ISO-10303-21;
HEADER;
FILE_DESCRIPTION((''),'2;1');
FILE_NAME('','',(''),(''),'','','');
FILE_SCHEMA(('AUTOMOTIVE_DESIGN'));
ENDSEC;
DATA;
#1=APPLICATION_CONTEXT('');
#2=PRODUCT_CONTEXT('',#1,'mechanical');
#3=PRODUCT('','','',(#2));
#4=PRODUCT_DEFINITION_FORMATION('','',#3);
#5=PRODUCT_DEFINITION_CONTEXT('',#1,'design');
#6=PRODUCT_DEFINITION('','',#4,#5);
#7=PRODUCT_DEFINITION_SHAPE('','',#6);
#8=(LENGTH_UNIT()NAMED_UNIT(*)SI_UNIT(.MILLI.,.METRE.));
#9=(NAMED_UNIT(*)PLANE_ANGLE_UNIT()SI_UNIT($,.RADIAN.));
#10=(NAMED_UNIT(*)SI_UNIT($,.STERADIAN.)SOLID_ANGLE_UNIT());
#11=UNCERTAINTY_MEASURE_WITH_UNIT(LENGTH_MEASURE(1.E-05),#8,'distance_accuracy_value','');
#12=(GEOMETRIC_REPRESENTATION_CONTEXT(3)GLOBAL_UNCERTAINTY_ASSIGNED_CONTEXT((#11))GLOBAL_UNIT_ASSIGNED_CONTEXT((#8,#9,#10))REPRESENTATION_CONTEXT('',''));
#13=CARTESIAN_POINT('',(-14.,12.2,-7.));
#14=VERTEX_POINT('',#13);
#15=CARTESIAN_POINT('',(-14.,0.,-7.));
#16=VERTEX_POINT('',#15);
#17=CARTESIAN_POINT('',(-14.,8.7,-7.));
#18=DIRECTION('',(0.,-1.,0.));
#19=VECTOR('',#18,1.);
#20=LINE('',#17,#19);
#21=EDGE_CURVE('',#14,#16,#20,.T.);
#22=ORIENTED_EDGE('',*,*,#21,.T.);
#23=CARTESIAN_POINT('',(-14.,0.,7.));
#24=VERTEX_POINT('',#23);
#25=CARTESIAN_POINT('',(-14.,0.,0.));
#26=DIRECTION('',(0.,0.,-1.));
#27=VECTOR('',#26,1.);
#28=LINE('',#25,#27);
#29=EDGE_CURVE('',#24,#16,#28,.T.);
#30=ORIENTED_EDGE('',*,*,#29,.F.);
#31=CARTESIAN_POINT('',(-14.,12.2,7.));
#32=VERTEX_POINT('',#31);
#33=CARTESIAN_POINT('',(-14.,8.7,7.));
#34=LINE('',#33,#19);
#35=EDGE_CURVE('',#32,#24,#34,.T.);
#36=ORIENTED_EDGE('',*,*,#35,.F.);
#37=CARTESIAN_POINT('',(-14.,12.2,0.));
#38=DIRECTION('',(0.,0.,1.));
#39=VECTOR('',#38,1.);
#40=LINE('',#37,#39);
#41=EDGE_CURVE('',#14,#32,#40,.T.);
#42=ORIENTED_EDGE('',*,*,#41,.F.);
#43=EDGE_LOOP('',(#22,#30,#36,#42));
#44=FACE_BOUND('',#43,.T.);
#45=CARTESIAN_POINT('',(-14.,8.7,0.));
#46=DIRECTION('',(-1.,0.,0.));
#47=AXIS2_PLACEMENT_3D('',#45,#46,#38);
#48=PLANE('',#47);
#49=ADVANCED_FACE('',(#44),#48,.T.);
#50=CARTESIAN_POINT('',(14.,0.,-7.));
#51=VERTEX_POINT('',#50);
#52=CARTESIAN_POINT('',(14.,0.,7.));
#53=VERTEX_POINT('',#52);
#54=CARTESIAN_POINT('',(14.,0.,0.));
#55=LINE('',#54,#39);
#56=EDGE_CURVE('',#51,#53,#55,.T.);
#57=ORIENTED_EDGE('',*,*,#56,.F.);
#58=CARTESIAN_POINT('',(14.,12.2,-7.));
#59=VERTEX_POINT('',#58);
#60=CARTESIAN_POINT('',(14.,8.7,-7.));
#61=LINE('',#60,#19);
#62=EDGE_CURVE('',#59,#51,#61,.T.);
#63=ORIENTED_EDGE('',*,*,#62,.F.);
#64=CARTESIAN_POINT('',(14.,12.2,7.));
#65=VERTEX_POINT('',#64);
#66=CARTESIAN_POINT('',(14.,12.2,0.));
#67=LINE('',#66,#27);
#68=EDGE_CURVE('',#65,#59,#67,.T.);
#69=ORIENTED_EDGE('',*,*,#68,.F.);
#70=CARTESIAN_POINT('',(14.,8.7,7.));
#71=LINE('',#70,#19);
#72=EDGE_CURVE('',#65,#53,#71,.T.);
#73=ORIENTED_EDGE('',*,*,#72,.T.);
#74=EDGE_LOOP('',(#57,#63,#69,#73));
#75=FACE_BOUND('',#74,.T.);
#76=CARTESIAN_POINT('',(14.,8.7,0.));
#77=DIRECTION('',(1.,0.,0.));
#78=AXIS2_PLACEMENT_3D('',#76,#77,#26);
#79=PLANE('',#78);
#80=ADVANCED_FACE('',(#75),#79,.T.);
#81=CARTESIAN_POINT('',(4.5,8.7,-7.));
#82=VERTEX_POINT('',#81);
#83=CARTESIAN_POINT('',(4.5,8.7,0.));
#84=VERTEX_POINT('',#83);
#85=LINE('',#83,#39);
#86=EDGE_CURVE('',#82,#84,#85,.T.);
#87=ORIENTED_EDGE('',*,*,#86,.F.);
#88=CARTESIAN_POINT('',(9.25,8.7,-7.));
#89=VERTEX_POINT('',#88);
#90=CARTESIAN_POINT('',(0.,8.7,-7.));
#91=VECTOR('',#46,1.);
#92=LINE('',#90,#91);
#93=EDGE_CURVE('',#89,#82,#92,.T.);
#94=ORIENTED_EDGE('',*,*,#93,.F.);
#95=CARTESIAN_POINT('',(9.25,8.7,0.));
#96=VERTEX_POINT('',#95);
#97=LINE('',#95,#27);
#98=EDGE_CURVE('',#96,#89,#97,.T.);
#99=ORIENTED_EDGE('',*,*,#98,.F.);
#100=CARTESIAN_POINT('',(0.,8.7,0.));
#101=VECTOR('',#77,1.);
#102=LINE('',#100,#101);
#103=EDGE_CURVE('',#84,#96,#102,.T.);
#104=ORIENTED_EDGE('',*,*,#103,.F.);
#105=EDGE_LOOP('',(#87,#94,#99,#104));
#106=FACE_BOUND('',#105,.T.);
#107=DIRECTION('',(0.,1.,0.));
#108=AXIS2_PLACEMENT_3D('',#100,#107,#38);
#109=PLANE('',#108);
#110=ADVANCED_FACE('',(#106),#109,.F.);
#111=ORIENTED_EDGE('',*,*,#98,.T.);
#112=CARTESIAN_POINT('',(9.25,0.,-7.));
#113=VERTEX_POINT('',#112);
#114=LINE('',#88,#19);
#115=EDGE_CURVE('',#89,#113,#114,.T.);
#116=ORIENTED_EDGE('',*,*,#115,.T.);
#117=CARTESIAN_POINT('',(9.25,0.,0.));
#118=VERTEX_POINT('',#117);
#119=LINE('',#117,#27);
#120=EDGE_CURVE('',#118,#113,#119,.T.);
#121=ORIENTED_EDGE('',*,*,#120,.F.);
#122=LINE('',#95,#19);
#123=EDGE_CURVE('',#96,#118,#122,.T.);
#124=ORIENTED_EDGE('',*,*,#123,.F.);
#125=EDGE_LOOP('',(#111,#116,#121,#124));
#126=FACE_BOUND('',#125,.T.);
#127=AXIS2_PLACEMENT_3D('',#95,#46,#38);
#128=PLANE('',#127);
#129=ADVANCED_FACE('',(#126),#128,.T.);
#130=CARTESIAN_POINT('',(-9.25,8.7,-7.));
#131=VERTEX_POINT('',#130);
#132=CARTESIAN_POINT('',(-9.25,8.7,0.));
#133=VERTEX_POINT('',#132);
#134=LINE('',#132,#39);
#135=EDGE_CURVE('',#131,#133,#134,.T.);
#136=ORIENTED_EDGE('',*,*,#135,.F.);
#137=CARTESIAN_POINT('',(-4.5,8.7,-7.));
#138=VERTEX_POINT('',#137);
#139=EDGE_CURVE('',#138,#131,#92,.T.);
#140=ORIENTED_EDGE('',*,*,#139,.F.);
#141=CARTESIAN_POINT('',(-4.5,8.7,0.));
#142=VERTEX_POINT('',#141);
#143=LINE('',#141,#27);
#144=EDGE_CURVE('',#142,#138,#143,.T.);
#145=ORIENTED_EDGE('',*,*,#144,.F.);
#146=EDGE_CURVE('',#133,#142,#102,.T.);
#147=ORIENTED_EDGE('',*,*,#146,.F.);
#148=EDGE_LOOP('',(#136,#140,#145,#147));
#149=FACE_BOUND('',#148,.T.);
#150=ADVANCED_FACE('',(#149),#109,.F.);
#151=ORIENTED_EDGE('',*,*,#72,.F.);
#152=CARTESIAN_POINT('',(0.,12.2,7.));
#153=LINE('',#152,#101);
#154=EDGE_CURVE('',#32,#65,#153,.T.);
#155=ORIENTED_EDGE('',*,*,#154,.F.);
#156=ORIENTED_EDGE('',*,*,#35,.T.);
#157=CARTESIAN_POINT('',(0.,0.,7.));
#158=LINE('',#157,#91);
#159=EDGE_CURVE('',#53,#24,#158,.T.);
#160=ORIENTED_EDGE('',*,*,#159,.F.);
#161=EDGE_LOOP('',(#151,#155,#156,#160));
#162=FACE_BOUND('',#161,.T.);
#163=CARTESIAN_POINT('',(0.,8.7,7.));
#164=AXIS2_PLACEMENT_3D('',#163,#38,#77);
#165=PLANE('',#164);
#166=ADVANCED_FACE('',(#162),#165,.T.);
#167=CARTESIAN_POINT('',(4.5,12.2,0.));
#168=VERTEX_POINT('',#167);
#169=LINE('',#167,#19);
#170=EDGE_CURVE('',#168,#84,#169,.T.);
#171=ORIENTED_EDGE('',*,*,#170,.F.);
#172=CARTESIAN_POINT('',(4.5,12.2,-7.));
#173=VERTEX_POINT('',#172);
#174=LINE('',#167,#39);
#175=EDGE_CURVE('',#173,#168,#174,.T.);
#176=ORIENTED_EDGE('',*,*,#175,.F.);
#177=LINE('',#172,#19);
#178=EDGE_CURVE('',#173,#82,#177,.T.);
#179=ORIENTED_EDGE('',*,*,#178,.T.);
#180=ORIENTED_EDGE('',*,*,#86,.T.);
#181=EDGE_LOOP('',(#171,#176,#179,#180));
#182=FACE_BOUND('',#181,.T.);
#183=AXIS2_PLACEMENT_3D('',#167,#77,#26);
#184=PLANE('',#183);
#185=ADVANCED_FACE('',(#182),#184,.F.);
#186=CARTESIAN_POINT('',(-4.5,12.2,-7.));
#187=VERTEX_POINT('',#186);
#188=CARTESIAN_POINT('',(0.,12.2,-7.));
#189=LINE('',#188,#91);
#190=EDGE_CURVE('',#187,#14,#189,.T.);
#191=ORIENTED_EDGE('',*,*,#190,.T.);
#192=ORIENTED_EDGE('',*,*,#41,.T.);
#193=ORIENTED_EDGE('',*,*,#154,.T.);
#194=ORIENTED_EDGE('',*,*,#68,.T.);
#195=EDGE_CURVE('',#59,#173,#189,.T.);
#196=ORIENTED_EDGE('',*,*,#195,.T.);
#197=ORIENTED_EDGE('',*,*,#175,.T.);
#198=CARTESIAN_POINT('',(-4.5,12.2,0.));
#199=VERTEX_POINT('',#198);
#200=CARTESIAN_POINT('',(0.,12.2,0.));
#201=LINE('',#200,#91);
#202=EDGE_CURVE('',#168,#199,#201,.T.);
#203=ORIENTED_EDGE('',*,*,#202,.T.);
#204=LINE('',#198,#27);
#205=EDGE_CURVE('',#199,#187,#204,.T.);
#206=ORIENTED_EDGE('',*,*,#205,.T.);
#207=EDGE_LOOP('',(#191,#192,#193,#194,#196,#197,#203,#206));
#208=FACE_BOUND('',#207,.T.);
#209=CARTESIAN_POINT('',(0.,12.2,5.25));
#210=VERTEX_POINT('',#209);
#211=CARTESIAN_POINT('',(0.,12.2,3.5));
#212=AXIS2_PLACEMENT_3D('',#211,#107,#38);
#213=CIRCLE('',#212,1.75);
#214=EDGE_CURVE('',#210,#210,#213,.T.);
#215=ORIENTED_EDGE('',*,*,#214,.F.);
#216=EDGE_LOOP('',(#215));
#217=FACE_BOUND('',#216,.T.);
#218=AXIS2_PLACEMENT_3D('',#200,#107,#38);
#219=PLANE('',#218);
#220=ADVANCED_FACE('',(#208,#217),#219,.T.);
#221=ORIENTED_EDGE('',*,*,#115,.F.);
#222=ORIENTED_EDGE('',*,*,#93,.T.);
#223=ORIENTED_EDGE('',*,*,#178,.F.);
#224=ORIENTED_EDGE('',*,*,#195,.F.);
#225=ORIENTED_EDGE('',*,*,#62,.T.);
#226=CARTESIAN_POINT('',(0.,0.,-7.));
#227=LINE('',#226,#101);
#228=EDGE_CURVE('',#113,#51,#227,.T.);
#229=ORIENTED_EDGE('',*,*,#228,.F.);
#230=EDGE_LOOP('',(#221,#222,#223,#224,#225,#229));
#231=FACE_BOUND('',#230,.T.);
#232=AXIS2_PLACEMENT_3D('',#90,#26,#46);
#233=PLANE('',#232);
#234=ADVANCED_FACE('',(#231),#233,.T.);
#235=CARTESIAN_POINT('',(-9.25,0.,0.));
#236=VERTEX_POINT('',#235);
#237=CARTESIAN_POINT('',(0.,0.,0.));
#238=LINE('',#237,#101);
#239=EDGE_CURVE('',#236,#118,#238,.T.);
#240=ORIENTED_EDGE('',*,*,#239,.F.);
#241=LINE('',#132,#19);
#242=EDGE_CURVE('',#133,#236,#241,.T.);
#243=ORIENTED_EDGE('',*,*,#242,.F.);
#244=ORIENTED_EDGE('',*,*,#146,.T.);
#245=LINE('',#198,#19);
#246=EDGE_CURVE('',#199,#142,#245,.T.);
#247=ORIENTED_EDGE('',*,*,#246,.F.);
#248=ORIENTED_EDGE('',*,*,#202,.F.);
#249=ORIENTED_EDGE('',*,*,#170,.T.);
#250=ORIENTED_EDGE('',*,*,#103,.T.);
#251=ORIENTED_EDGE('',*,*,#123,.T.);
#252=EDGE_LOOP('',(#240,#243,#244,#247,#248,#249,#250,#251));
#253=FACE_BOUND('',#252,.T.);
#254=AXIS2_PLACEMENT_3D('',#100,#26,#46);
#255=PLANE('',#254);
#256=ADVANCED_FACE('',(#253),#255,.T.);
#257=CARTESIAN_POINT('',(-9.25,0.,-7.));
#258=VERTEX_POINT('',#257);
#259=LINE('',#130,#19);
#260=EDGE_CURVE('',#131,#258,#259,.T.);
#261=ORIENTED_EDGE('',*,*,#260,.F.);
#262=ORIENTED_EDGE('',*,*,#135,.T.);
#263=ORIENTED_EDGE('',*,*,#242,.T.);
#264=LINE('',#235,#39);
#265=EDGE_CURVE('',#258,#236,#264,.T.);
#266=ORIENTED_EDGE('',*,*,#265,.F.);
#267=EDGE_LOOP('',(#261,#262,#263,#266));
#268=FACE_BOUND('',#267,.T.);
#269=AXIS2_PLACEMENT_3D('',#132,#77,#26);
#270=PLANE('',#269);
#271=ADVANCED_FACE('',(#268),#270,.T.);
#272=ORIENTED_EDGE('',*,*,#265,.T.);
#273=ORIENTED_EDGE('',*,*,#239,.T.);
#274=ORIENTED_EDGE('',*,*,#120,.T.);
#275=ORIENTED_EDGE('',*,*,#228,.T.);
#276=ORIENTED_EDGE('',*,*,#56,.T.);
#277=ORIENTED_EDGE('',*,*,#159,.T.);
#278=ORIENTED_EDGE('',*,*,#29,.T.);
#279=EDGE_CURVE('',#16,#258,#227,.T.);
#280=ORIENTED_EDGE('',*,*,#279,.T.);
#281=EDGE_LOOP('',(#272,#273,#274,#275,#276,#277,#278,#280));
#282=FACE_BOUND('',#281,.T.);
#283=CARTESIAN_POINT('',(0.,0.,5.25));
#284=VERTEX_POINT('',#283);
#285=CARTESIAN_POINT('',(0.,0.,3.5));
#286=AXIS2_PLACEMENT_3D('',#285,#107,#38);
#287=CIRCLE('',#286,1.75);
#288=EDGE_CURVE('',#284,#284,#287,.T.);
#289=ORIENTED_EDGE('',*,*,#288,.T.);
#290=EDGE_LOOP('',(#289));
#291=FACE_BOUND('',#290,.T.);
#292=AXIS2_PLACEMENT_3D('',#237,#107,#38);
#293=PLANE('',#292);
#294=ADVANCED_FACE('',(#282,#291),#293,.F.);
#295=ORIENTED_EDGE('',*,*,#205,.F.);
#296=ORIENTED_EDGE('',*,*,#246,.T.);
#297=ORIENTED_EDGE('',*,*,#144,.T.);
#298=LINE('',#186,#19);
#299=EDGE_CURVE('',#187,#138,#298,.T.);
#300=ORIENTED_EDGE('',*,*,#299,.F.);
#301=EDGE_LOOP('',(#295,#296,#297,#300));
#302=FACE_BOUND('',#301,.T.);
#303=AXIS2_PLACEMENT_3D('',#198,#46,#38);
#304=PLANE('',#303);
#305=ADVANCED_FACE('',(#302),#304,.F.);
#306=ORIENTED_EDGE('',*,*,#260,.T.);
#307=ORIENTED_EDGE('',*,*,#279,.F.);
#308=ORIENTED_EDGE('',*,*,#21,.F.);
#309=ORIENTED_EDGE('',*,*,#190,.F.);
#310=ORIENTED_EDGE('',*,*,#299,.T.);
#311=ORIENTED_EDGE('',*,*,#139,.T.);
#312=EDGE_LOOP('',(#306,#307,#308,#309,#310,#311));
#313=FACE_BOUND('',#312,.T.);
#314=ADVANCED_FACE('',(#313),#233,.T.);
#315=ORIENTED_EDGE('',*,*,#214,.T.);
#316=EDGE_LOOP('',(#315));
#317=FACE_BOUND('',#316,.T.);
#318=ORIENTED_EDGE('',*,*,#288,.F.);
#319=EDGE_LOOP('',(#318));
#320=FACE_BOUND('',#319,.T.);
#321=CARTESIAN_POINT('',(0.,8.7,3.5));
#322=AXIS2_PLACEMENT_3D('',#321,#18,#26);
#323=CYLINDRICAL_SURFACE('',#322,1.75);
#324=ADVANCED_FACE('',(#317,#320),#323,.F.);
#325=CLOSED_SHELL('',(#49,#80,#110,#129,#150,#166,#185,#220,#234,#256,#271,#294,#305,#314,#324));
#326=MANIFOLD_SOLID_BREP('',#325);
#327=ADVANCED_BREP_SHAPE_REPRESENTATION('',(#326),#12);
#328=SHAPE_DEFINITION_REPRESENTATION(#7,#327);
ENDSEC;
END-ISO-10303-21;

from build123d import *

# Parameters (mm, degrees)
SKETCH1_R           = 1.75
BOSS_EXTRUDE1_DEPTH = 8.7
BOSS_EXTRUDE2_START = 8.7
SKETCH1_3_R         = 1.75
BOSS_EXTRUDE2_DEPTH = 3.5


with BuildPart() as part:
    # Sketch1 → Boss-Extrude1 (new body)
    with BuildSketch(Plane(origin=(0, 0, 0), x_dir=(1, 0, 0), z_dir=(0, 1, 0))):
        Polygon((-9.25, 7), (-14, 7), (-14, -7), (14, -7), (14, 7), (9.25, 7), (9.25, 0), (4.5, 0), (-4.5, 0), (-9.25, 0), align=None)
        with Locations((0, -3.5)):
            Circle(SKETCH1_R, mode=Mode.SUBTRACT)
    extrude(amount=BOSS_EXTRUDE1_DEPTH)

    # Sketch1<3> → Boss-Extrude2 (add)
    with BuildSketch(Plane(origin=(0, 0, 0), x_dir=(1, 0, 0), z_dir=(0, 1, 0)).offset(BOSS_EXTRUDE2_START)):
        Polygon((-14, 7), (-4.5, 7), (-4.5, 0), (4.5, 0), (4.5, 7), (14, 7), (14, -7), (-14, -7), align=None)
        with Locations((0, -3.5)):
            Circle(SKETCH1_3_R, mode=Mode.SUBTRACT)
    extrude(amount=BOSS_EXTRUDE2_DEPTH)


solid = part.part
